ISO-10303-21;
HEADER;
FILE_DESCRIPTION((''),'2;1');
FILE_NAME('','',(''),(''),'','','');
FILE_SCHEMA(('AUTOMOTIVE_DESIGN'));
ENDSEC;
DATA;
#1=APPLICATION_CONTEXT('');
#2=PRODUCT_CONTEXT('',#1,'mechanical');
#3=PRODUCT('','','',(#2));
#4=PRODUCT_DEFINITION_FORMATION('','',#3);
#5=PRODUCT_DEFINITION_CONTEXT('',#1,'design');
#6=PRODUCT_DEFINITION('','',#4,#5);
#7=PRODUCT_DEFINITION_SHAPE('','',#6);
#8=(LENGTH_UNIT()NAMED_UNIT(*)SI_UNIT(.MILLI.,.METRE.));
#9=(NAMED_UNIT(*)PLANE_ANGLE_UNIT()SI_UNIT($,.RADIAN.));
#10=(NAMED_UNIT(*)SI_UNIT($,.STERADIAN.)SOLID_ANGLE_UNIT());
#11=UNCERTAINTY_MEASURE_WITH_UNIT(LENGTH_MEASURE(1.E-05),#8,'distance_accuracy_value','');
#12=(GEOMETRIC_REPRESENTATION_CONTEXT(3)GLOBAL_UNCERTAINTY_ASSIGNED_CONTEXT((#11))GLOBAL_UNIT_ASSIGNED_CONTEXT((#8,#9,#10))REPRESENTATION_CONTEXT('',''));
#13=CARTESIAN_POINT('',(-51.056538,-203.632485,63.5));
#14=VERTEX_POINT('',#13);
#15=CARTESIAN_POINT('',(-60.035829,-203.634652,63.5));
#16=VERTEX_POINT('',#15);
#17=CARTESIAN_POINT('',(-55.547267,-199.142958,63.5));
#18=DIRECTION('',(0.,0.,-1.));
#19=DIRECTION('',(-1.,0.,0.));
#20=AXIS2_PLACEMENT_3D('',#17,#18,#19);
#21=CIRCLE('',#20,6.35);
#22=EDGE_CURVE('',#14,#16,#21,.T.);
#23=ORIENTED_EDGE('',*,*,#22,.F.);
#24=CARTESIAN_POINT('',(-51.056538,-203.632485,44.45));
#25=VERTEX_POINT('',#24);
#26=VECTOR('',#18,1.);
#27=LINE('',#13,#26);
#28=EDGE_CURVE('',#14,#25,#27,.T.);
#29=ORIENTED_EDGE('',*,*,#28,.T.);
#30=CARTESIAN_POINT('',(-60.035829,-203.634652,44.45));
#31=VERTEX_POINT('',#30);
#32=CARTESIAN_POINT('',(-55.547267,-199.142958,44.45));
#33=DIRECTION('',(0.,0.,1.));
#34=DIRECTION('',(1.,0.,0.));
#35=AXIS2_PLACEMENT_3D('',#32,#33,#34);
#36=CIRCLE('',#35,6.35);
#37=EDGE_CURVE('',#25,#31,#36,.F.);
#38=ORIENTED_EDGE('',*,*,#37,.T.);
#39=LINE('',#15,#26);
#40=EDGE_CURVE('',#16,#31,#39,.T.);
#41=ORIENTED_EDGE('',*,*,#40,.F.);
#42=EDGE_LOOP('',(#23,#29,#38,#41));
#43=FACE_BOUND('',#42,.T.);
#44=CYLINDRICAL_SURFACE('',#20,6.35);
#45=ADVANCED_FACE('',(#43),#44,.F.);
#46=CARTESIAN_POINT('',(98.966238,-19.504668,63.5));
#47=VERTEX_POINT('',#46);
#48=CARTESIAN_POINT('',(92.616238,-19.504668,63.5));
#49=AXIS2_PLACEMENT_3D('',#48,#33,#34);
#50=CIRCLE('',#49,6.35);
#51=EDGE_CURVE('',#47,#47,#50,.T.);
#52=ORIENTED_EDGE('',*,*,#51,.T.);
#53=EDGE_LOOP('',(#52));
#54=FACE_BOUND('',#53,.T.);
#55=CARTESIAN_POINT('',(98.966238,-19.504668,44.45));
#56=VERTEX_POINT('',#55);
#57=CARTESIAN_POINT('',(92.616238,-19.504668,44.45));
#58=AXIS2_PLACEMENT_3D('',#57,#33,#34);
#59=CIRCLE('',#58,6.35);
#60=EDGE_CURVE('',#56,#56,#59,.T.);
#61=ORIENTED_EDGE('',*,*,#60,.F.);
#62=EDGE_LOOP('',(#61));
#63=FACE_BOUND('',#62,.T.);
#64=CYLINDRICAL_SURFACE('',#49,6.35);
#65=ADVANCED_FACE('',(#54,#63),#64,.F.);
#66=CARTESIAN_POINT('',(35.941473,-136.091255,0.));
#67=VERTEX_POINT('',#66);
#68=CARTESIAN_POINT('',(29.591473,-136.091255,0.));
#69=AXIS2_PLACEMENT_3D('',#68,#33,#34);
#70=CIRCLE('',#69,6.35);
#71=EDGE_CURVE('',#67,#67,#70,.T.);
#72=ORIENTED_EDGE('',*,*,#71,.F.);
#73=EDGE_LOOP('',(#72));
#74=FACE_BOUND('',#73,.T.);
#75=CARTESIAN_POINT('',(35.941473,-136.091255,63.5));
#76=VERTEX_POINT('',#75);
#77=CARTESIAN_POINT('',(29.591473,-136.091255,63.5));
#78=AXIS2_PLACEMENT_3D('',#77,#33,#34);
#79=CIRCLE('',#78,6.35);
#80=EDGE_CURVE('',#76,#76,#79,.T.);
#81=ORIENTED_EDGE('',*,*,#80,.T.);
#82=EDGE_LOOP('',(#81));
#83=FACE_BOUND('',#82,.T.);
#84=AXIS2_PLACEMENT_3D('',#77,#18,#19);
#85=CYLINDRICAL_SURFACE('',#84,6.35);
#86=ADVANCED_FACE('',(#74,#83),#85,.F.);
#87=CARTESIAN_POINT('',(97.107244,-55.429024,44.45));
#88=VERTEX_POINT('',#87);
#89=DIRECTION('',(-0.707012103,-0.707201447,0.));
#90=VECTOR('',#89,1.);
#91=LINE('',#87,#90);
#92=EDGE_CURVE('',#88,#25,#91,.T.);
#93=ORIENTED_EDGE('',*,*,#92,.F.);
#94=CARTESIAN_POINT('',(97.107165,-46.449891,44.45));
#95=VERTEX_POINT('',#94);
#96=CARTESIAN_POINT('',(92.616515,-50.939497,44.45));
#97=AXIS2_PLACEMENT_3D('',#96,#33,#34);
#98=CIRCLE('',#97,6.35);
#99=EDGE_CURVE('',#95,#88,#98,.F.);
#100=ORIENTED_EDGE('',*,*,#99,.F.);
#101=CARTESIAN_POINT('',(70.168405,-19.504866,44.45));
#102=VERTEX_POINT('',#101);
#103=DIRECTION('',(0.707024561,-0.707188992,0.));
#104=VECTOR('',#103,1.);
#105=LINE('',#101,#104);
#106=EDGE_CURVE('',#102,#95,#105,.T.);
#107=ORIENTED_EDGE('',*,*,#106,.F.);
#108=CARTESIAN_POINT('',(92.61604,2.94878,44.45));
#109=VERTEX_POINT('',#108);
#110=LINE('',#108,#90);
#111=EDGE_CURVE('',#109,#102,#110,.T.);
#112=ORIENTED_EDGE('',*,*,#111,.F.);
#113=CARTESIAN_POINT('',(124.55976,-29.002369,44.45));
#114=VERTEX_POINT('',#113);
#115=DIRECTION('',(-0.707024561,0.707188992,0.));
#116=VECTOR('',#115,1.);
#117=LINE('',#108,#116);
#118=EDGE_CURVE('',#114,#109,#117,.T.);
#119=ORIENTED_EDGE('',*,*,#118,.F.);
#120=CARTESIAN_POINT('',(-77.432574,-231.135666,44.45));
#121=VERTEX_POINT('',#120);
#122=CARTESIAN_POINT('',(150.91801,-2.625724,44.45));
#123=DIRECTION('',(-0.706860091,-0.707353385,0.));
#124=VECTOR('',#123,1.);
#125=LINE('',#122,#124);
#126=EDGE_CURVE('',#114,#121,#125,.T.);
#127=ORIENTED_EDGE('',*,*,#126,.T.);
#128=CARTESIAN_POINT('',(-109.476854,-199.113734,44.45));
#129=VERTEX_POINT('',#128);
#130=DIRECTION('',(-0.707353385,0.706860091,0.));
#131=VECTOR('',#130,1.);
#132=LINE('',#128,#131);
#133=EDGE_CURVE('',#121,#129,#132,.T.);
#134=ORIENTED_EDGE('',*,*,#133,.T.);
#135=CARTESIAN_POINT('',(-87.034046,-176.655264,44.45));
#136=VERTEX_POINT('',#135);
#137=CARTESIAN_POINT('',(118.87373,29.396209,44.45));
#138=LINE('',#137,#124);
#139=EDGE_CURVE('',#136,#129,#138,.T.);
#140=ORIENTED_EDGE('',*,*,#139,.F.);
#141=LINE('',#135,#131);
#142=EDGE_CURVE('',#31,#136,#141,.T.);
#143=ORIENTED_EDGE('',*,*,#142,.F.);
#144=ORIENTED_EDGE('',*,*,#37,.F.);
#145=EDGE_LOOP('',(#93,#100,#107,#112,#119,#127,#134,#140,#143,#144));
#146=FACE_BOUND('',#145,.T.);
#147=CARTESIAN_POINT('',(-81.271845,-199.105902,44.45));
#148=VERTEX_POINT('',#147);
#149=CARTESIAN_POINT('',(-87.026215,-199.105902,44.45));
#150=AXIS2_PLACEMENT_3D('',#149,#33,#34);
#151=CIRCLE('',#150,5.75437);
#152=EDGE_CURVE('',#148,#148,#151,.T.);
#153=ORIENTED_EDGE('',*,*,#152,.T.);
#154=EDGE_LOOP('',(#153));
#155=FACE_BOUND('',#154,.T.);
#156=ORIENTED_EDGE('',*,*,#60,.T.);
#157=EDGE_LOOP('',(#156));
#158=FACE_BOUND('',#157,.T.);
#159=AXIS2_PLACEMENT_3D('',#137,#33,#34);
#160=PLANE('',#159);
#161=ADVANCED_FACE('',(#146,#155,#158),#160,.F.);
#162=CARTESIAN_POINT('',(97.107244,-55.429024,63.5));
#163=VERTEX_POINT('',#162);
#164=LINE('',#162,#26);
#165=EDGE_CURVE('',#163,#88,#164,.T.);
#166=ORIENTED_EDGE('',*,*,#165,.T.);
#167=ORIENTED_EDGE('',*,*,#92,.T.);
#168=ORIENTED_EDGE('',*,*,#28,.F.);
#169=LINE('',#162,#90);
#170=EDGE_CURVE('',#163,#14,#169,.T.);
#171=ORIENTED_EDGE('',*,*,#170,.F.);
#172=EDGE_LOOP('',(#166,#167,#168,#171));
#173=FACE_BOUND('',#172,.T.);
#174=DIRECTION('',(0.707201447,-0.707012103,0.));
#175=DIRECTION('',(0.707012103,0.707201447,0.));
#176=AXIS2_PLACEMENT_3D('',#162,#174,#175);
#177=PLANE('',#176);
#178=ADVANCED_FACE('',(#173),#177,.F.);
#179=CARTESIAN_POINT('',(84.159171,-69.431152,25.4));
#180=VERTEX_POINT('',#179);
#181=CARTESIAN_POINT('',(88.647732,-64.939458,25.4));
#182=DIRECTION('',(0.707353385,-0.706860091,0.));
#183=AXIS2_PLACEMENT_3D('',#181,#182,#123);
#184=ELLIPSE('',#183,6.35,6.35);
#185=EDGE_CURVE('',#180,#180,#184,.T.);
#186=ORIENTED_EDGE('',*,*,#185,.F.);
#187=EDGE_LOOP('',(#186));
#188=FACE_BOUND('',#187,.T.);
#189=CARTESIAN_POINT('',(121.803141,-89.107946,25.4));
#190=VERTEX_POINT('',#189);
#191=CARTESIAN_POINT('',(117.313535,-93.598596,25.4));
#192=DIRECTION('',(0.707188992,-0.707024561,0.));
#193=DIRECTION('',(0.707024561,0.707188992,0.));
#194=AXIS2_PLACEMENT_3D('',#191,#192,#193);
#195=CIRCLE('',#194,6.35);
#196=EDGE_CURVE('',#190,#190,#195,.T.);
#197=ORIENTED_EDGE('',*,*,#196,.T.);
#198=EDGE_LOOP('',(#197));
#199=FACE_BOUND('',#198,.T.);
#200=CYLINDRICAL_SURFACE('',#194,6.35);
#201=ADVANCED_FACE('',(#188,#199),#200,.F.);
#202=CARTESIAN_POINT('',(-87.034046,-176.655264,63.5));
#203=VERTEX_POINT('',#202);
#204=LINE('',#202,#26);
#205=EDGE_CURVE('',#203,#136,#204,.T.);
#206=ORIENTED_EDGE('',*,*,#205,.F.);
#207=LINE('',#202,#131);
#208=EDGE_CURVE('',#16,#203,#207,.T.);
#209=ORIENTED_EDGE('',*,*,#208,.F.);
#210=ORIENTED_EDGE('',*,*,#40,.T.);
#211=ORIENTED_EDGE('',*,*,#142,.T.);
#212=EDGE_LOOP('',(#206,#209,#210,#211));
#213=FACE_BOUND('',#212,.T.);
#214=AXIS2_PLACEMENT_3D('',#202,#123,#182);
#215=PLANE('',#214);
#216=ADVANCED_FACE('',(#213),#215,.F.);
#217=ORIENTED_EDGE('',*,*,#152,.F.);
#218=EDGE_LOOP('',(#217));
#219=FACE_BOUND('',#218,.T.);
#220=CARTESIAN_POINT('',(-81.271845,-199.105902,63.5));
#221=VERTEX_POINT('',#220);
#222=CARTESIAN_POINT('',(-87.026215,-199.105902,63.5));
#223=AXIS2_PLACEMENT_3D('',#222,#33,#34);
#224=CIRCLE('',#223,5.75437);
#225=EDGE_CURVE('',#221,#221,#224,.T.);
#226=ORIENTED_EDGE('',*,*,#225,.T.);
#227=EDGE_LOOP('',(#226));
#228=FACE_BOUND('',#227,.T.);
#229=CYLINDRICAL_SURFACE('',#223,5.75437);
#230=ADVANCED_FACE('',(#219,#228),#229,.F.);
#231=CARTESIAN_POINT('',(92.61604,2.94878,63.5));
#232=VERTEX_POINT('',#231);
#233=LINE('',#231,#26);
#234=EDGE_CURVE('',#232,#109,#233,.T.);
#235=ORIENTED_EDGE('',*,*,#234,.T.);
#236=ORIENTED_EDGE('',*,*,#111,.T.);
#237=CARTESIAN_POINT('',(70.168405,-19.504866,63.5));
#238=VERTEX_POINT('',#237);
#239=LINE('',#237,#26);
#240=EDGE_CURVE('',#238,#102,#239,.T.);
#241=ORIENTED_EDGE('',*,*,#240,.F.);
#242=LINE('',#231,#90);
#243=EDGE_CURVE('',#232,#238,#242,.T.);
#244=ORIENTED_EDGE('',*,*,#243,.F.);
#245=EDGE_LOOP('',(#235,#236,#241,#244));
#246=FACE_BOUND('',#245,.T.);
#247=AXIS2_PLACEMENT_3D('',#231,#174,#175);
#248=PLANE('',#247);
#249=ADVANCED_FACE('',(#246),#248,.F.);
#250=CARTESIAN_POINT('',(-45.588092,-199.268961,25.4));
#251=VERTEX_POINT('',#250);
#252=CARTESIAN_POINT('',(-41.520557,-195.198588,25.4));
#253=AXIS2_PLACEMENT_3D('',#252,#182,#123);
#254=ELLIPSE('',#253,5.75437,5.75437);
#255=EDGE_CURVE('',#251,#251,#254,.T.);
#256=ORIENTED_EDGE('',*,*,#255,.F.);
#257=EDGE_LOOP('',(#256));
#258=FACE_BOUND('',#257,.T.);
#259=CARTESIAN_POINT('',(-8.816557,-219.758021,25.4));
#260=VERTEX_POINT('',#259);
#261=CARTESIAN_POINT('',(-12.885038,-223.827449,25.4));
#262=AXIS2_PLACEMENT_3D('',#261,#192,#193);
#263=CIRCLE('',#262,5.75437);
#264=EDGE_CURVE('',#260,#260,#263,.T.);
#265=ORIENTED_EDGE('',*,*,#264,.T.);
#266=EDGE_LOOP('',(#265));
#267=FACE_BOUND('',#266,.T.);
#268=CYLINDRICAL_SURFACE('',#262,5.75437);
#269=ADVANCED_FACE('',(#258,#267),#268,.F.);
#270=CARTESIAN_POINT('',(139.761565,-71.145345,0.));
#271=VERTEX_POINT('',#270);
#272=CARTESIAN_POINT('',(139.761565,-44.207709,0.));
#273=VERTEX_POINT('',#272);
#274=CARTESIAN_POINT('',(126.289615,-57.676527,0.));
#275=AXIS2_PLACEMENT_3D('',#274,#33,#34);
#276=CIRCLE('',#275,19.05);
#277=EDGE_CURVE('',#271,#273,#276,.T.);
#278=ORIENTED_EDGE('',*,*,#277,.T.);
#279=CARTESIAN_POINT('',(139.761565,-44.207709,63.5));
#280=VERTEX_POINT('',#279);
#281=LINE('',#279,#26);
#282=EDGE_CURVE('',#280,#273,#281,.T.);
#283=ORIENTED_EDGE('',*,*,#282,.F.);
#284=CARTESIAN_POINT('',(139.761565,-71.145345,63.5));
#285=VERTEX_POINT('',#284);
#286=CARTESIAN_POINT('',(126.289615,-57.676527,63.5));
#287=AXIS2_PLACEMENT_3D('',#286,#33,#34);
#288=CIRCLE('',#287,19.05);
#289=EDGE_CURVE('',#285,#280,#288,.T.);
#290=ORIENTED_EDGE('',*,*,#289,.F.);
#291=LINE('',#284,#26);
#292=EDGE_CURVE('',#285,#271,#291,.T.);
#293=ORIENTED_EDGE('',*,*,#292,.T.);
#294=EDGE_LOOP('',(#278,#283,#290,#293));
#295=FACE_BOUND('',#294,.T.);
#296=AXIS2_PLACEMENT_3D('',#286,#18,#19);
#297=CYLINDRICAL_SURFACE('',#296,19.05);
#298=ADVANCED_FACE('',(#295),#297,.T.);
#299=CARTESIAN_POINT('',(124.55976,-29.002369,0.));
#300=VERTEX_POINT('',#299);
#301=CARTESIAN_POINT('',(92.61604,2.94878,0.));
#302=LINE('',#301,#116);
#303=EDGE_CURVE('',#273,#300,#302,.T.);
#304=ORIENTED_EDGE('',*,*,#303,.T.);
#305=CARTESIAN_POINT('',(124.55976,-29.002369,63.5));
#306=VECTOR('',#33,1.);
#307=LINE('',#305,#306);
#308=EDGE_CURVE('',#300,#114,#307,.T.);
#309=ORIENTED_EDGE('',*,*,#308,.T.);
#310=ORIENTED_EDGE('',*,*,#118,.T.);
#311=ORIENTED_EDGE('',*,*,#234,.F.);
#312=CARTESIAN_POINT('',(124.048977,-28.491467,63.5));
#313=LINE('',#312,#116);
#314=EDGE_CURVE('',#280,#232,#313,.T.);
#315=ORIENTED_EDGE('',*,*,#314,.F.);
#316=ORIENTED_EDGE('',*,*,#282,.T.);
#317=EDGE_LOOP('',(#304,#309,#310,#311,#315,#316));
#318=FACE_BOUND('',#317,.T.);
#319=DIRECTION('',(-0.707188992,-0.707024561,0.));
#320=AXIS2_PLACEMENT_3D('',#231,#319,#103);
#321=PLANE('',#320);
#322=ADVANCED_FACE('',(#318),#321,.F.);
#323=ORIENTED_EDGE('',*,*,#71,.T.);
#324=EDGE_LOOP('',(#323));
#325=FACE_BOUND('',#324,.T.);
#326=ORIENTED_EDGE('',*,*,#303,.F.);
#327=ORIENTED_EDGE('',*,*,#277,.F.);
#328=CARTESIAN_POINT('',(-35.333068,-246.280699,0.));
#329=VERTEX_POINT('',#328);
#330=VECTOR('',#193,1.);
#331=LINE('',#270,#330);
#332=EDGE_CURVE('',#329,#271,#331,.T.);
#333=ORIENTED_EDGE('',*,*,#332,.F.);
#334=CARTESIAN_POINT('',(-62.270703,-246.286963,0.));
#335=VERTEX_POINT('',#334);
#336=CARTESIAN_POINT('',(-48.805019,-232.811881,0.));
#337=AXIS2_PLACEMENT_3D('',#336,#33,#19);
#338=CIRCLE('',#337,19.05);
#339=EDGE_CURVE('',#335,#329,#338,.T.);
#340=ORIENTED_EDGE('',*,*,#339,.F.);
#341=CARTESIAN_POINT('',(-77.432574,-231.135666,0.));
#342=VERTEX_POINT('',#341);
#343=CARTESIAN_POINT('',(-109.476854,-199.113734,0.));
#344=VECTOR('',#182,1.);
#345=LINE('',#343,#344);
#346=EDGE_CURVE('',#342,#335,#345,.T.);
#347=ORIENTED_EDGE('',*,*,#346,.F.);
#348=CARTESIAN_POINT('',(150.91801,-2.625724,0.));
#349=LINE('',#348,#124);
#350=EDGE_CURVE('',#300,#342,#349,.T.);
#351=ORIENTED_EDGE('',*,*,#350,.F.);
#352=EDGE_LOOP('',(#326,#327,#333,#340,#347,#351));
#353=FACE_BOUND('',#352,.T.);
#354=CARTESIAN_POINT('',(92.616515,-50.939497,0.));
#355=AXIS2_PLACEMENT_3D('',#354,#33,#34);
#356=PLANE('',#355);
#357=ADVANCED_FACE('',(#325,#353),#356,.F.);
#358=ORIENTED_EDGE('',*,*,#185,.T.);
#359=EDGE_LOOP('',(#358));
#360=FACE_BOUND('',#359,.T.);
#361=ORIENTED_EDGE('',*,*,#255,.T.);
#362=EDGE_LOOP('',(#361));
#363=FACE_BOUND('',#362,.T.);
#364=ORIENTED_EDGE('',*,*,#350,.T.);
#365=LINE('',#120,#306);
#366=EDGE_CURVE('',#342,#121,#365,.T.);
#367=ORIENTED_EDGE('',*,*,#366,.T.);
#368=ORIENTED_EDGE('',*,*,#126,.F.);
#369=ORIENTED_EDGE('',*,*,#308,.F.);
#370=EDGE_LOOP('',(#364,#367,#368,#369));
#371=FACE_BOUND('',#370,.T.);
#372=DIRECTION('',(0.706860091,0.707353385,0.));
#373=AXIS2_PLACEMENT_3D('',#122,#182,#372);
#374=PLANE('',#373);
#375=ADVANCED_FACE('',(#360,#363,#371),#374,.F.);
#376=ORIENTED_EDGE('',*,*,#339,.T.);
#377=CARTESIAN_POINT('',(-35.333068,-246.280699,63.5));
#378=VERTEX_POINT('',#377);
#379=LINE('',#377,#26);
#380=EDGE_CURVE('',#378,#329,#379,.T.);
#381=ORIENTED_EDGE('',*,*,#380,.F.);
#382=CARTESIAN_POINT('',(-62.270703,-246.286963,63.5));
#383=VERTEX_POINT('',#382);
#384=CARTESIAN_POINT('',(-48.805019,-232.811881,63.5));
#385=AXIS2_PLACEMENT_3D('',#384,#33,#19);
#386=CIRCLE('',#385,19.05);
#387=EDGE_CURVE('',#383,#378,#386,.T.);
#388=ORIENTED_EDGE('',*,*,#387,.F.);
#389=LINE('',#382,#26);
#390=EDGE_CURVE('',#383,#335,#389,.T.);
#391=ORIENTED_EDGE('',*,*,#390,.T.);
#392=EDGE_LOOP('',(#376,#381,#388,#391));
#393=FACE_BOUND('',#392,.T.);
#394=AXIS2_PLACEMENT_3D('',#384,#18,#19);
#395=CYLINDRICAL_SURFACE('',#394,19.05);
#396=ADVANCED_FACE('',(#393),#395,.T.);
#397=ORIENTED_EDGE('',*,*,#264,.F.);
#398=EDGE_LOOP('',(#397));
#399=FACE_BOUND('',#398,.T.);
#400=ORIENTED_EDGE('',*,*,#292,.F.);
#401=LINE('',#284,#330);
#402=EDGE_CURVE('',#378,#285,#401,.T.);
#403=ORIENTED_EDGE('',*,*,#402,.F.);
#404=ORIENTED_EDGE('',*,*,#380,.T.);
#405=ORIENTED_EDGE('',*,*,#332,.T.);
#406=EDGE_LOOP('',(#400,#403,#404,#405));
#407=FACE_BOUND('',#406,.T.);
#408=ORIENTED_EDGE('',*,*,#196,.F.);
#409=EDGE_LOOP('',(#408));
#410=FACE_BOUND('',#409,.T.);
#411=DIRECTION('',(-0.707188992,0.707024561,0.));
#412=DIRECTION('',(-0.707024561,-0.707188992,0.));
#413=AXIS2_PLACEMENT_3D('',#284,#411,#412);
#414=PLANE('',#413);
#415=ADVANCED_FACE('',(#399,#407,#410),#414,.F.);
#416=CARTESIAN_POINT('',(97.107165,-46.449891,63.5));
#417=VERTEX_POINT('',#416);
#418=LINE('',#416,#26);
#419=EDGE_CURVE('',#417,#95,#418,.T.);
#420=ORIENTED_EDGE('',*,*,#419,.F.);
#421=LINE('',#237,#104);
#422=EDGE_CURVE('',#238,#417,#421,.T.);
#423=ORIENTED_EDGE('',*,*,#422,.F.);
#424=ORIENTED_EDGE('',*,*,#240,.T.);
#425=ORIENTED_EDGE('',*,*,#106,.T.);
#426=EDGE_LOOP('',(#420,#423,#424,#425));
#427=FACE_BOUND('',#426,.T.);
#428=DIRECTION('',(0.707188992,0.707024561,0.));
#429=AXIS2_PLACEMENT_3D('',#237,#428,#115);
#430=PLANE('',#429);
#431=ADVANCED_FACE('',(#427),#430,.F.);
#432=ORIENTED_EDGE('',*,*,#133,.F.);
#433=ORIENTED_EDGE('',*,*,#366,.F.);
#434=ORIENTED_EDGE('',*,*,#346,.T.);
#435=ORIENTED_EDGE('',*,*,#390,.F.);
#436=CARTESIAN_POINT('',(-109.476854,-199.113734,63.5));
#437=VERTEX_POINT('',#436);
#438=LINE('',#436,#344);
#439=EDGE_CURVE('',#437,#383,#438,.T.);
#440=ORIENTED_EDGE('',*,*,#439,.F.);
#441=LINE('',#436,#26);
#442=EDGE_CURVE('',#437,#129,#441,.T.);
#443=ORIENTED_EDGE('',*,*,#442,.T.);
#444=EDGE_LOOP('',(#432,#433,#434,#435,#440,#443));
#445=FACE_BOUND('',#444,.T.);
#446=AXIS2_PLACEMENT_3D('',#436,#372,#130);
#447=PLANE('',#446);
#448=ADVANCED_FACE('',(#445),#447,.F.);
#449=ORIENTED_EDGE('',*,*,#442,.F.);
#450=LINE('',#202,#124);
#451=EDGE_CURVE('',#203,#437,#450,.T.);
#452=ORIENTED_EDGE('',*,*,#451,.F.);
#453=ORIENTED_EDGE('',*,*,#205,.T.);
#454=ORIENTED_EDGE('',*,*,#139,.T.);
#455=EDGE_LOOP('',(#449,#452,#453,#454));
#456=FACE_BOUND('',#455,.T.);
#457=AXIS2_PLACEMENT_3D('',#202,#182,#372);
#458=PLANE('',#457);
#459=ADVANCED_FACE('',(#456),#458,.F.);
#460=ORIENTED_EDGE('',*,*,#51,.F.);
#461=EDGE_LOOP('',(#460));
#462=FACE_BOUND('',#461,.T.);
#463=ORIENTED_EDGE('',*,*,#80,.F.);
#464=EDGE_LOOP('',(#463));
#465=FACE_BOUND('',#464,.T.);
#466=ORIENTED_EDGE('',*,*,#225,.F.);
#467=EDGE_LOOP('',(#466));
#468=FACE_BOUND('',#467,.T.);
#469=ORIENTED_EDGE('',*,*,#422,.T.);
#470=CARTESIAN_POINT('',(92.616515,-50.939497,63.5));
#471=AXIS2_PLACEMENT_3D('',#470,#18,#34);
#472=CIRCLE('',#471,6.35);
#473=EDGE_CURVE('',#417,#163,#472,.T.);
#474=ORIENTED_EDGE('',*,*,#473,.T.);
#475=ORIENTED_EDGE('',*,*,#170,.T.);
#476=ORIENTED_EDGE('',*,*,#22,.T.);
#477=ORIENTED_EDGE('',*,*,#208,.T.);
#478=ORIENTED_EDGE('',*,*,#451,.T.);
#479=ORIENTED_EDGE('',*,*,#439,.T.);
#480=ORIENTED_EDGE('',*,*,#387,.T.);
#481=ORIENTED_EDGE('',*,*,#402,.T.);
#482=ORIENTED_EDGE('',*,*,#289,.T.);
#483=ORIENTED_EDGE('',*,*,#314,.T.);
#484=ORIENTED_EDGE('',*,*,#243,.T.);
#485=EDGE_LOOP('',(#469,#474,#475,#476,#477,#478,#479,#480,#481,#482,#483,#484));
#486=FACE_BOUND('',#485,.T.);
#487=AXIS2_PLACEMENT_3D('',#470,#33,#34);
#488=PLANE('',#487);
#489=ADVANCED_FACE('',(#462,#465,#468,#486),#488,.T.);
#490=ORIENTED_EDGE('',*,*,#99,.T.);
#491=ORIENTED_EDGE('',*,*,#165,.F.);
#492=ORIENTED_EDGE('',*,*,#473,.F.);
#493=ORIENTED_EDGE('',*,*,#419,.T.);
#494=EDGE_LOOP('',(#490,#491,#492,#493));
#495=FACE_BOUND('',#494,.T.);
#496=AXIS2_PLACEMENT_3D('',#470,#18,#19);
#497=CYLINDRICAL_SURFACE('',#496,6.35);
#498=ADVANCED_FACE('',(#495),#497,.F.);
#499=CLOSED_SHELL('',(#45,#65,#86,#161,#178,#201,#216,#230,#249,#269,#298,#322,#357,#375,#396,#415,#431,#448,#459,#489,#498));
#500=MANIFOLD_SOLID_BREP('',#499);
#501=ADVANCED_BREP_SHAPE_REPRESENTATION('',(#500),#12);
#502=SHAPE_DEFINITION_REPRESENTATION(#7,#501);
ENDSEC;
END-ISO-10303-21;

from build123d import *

# Parameters (mm, degrees)
SKETCH1_R                         = 6.35
BASE_EXTRUDE_DEPTH                = 63.5
SKETCH2_W                         = 45.301656397
SKETCH2_H                         = 44.45
CUT_EXTRUDE1_DEPTH                = 324.049195456
F_1_2_20_TAPPED_HOLE4_D           = 11.50874
F_1_2_20_TAPPED_HOLE3_D           = 11.50874
F_1_2_20_TAPPED_HOLE3_CBORE_D     = 12.7
F_1_2_20_TAPPED_HOLE3_CBORE_DEPTH = 25.4
F_1_2_20_TAPPED_HOLE1_D           = 12.7
F_1_2_20_TAPPED_HOLE2_D           = 11.50874


with BuildPart() as part:
    # Sketch1 → Base-Extrude (new body)
    with BuildSketch(Plane.XY):
        with BuildLine():
            Line((-87.034046036, -176.655263526), (-109.476853925, -199.11373351))
            Line((-109.476853925, -199.11373351), (-62.270703318, -246.286963476))
            ThreePointArc((-62.270703318, -246.286963476), (-48.800588675, -251.86188097), (-35.333068284, -246.280699366))
            Line((-35.333068284, -246.280699366), (139.761564896, -71.145344736))
            ThreePointArc((139.761564896, -71.145344736), (145.339614596, -57.676526855), (139.761564896, -44.207708974))
            Line((139.761564896, -44.207708974), (124.048977285, -28.491467114))
            Line((124.048977285, -28.491467114), (92.616039983, 2.948780491))
            Line((92.616039983, 2.948780491), (70.168405011, -19.504866145))
            Line((70.168405011, -19.504866145), (97.107164721, -46.449890955))
            ThreePointArc((97.107164721, -46.449890955), (98.966514621, -50.939440985), (97.107243808, -55.429023769))
            Line((97.107243808, -55.429023769), (-51.056538279, -203.63248535))
            ThreePointArc((-51.056538279, -203.63248535), (-55.545734899, -205.492958311), (-60.035829043, -203.634652493))
            Line((-60.035829043, -203.634652493), (-87.034046036, -176.655263526))
        make_face()
        with Locations((29.591473015, -136.091254995)):
            Circle(SKETCH1_R, mode=Mode.SUBTRACT)
    extrude(amount=BASE_EXTRUDE_DEPTH)

    # Sketch2 → Cut-Extrude1 (cut, through all)
    with BuildSketch(Plane(origin=(-154.257082678, -154.364733609, 0), x_dir=(0.707353385, -0.706860091, 0), z_dir=(-0.706860091, -0.707353385, 0))):
        with Locations((85.957556745, 22.225)):
            Rectangle(SKETCH2_W, SKETCH2_H)
    extrude(amount=-CUT_EXTRUDE1_DEPTH, mode=Mode.SUBTRACT)

    # 1/2-20 Tapped Hole4 (through all)
    with Locations(Plane.XY.offset(63.5)):
        with Locations((-87.026214989, -199.105902462)):
            Hole(F_1_2_20_TAPPED_HOLE4_D / 2)

    # 1/2-20 Tapped Hole3 (through all)
    with Locations(Plane.XY.offset(63.5)):
        with Locations((92.616237749, -19.504668428)):
            CounterBoreHole(F_1_2_20_TAPPED_HOLE3_D / 2, F_1_2_20_TAPPED_HOLE3_CBORE_D / 2, F_1_2_20_TAPPED_HOLE3_CBORE_DEPTH)

    # 1/2-20 Tapped Hole1 (through all)
    with Locations(Plane(origin=(105.469704015, -105.445180815, 0), x_dir=(0, 0, -1), z_dir=(0.707188992, -0.707024561, 0))):
        with Locations((-25.4, 16.751653867)):
            Hole(F_1_2_20_TAPPED_HOLE1_D / 2)

    # 1/2-20 Tapped Hole2 (through all)
    with Locations(Plane(origin=(105.469704015, -105.445180815, 0), x_dir=(0, 0, -1), z_dir=(0.707188992, -0.707024561, 0))):
        with Locations((-25.4, -167.398346133)):
            Hole(F_1_2_20_TAPPED_HOLE2_D / 2)


solid = part.part
